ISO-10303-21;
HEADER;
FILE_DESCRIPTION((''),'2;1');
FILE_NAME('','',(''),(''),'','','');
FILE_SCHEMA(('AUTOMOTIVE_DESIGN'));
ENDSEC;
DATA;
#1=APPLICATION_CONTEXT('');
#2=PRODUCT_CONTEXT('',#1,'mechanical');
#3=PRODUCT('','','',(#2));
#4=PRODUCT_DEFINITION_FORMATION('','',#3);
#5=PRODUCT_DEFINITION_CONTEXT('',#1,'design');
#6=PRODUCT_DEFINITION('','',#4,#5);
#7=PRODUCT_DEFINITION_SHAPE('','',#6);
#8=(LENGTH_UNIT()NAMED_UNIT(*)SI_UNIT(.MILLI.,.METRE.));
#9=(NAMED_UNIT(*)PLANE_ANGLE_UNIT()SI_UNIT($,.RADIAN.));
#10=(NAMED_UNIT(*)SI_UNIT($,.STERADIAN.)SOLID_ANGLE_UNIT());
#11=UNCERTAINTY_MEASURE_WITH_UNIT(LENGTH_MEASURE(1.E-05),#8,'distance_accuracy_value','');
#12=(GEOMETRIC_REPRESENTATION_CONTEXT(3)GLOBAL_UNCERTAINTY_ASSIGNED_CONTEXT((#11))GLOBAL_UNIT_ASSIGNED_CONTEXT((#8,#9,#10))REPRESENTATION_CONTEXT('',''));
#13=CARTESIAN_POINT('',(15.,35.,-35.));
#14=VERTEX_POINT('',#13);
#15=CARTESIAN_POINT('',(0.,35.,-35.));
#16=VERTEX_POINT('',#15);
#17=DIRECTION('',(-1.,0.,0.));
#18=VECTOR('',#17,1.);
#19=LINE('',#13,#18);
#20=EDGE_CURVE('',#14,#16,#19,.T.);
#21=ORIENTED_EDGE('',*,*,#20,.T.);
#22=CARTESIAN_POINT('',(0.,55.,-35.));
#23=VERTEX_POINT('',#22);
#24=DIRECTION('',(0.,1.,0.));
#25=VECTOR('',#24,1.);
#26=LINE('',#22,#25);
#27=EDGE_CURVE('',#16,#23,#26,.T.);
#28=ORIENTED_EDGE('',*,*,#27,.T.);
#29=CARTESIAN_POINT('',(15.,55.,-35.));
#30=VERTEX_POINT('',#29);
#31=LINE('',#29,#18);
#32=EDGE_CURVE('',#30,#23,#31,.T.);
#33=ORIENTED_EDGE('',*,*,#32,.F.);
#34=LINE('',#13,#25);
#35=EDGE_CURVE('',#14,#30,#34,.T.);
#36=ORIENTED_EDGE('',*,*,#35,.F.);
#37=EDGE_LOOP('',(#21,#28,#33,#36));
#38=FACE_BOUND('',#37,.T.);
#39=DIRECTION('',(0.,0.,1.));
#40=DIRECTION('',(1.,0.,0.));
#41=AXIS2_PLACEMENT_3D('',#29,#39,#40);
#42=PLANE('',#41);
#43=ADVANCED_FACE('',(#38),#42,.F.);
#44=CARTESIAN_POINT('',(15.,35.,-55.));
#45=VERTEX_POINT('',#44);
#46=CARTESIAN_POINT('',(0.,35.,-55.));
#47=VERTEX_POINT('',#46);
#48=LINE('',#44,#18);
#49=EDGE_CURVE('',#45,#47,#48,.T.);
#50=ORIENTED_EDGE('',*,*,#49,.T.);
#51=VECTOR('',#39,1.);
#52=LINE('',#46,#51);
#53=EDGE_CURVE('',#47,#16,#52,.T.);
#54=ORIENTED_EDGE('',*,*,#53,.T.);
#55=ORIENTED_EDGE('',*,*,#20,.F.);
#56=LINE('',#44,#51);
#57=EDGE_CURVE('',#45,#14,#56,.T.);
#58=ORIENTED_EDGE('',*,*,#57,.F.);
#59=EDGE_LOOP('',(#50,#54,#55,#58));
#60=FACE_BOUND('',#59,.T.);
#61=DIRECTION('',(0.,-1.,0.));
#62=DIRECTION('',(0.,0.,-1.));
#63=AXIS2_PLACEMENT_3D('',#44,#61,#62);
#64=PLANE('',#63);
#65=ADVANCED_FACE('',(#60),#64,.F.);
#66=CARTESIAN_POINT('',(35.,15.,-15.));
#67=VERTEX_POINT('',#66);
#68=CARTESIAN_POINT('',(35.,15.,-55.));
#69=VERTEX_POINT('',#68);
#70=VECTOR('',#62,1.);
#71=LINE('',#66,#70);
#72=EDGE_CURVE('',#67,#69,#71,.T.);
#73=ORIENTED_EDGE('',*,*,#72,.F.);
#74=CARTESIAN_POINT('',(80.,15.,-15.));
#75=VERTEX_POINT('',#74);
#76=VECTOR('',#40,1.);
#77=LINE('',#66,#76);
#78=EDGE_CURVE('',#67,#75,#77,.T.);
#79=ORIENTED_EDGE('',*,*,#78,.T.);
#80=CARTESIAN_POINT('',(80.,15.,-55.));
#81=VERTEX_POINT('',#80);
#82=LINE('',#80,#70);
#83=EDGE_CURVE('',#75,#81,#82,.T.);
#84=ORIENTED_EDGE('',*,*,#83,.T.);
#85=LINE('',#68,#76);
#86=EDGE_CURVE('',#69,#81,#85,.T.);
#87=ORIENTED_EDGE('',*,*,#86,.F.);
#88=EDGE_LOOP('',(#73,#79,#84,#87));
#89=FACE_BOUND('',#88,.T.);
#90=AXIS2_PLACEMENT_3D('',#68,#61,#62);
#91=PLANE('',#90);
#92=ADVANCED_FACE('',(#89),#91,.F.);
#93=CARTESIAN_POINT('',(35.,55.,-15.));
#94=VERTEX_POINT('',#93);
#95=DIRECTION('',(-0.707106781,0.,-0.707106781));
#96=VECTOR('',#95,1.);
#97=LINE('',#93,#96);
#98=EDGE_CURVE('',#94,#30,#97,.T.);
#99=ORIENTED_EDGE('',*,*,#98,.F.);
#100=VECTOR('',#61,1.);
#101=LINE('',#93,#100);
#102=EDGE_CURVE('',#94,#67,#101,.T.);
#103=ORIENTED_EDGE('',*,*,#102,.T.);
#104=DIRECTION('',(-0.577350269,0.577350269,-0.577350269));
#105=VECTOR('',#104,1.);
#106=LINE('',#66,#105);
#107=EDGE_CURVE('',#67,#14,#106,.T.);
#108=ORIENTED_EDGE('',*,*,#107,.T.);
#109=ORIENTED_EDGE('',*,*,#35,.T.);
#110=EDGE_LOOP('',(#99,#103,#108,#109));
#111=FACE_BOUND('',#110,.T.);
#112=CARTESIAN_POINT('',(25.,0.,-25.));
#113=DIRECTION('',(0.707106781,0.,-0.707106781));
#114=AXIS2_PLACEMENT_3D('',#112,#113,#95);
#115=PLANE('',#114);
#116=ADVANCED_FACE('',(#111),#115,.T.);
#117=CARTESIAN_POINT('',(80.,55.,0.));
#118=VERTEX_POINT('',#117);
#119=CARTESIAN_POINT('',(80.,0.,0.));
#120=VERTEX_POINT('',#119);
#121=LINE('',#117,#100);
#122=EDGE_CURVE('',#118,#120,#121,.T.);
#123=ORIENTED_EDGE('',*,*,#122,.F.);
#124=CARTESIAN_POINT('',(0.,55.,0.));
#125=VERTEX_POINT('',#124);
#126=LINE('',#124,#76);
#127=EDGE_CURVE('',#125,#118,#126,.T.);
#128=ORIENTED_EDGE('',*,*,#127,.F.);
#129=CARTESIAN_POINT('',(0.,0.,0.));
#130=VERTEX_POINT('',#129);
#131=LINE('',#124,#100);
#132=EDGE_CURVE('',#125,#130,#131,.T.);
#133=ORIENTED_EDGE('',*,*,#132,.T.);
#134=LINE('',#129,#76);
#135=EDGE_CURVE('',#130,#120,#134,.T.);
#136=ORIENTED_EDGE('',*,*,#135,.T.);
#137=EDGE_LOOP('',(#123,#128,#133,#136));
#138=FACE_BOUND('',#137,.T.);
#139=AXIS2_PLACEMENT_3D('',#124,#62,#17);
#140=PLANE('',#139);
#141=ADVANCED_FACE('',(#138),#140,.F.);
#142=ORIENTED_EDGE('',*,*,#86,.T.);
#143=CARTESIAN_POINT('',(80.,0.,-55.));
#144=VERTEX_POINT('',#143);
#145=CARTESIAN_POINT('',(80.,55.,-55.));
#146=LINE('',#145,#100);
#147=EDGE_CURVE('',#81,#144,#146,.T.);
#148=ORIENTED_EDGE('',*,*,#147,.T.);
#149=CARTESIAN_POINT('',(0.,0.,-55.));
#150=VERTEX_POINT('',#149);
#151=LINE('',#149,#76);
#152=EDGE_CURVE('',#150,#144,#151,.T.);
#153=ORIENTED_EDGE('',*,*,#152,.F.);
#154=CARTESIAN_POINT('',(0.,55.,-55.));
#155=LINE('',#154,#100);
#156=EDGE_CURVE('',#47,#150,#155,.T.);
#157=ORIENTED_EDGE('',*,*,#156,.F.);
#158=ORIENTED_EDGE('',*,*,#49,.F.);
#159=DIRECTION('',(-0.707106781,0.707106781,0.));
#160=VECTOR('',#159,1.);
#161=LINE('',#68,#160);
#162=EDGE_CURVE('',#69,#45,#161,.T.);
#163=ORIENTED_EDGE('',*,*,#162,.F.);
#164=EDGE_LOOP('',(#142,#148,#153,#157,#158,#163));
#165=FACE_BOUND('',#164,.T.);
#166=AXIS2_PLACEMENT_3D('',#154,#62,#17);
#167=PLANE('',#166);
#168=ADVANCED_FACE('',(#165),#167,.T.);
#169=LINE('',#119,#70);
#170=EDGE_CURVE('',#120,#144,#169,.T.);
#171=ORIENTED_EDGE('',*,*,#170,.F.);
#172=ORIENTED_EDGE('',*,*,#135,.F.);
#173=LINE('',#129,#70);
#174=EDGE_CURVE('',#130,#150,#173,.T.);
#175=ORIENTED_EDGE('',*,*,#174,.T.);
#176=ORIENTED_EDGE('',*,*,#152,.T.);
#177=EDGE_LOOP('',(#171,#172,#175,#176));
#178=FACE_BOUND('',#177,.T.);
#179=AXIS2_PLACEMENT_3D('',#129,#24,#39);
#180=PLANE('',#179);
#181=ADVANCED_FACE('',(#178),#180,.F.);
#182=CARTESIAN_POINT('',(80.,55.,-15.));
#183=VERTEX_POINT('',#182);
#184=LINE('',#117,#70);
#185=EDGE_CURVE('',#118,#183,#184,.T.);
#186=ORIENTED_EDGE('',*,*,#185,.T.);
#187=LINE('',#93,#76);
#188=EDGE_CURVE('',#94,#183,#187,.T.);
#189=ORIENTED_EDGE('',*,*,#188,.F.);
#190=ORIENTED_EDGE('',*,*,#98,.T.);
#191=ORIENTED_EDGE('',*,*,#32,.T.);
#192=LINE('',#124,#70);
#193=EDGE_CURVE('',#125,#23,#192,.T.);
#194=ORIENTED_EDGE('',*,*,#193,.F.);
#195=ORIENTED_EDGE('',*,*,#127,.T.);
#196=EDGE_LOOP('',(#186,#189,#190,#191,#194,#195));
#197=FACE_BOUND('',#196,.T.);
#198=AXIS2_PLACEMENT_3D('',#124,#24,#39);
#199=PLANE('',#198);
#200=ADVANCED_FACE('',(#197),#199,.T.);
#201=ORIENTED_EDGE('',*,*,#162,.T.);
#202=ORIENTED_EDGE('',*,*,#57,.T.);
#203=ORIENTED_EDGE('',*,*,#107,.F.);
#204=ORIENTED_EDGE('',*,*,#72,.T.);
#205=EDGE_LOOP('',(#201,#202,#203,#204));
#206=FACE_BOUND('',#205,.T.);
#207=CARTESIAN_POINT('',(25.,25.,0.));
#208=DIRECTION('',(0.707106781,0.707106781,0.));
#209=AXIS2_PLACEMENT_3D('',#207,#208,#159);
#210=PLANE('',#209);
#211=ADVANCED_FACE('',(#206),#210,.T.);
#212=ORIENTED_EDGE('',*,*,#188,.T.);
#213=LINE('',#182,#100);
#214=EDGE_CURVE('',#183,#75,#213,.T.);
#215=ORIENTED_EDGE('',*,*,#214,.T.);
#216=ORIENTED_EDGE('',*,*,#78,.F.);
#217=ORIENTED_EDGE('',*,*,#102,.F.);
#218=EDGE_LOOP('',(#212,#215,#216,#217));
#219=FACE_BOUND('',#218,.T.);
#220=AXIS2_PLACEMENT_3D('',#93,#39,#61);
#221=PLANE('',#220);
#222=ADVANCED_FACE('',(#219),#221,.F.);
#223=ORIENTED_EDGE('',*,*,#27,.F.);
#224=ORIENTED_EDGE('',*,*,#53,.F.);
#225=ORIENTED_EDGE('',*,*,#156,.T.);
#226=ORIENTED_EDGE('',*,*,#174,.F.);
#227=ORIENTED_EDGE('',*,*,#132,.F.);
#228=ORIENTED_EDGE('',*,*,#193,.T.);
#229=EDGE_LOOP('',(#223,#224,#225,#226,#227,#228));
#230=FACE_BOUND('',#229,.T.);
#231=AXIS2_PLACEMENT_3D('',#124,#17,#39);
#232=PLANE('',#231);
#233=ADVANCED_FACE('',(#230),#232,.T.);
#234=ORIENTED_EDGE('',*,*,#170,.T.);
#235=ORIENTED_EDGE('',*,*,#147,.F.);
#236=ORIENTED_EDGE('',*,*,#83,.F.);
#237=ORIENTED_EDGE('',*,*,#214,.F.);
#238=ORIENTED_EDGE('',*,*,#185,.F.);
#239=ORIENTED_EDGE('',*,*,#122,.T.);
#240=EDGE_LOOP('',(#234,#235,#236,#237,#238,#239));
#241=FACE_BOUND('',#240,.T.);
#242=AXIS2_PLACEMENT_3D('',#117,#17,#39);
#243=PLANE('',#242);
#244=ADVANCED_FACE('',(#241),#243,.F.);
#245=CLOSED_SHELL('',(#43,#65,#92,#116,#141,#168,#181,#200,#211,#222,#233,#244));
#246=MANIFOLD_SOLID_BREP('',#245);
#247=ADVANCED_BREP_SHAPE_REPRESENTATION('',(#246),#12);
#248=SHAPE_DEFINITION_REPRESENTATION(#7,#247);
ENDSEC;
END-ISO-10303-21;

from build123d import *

# Parameters (mm, degrees)
SKETCH_3_W          = 80
SKETCH_3_H          = 55
EXTRUDE_2_DEPTH     = 55
SKETCH_4_W          = 40
SKETCH_4_H          = 40
CUT_EXTRUDE_2_DEPTH = 45
SKETCH_5_W          = 20
SKETCH_5_H          = 20
CUT_EXTRUDE_5_DEPTH = 15


with BuildPart() as part:
    # 草图3 → 凸台-拉伸2 (new body)
    with BuildSketch(Plane(origin=(0, 0, 0), x_dir=(1, 0, 0), z_dir=(0, 1, 0))):
        with Locations((40, 27.5)):
            Rectangle(SKETCH_3_W, SKETCH_3_H)
    extrude(amount=EXTRUDE_2_DEPTH)

    # 草图4 → 切除-拉伸2 (cut)
    with BuildSketch(Plane(origin=(80, 0, 0), x_dir=(0, 0, -1), z_dir=(1, 0, 0))):
        with Locations((35, 35)):
            Rectangle(SKETCH_4_W, SKETCH_4_H)
    extrude(amount=-CUT_EXTRUDE_2_DEPTH, mode=Mode.SUBTRACT)

    # 草图5 → 切除-拉伸5 (cut)
    with BuildSketch(Plane.ZY):
        with Locations((-45, 45)):
            Rectangle(SKETCH_5_W, SKETCH_5_H)
    extrude(amount=-CUT_EXTRUDE_5_DEPTH, mode=Mode.SUBTRACT)

    # loft from a face of the part (loft_11)
    loft([part.faces().sort_by_distance((35, 35, -35))[0], part.faces().sort_by_distance((15, 45, -45))[0]], mode=Mode.SUBTRACT)


solid = part.part
